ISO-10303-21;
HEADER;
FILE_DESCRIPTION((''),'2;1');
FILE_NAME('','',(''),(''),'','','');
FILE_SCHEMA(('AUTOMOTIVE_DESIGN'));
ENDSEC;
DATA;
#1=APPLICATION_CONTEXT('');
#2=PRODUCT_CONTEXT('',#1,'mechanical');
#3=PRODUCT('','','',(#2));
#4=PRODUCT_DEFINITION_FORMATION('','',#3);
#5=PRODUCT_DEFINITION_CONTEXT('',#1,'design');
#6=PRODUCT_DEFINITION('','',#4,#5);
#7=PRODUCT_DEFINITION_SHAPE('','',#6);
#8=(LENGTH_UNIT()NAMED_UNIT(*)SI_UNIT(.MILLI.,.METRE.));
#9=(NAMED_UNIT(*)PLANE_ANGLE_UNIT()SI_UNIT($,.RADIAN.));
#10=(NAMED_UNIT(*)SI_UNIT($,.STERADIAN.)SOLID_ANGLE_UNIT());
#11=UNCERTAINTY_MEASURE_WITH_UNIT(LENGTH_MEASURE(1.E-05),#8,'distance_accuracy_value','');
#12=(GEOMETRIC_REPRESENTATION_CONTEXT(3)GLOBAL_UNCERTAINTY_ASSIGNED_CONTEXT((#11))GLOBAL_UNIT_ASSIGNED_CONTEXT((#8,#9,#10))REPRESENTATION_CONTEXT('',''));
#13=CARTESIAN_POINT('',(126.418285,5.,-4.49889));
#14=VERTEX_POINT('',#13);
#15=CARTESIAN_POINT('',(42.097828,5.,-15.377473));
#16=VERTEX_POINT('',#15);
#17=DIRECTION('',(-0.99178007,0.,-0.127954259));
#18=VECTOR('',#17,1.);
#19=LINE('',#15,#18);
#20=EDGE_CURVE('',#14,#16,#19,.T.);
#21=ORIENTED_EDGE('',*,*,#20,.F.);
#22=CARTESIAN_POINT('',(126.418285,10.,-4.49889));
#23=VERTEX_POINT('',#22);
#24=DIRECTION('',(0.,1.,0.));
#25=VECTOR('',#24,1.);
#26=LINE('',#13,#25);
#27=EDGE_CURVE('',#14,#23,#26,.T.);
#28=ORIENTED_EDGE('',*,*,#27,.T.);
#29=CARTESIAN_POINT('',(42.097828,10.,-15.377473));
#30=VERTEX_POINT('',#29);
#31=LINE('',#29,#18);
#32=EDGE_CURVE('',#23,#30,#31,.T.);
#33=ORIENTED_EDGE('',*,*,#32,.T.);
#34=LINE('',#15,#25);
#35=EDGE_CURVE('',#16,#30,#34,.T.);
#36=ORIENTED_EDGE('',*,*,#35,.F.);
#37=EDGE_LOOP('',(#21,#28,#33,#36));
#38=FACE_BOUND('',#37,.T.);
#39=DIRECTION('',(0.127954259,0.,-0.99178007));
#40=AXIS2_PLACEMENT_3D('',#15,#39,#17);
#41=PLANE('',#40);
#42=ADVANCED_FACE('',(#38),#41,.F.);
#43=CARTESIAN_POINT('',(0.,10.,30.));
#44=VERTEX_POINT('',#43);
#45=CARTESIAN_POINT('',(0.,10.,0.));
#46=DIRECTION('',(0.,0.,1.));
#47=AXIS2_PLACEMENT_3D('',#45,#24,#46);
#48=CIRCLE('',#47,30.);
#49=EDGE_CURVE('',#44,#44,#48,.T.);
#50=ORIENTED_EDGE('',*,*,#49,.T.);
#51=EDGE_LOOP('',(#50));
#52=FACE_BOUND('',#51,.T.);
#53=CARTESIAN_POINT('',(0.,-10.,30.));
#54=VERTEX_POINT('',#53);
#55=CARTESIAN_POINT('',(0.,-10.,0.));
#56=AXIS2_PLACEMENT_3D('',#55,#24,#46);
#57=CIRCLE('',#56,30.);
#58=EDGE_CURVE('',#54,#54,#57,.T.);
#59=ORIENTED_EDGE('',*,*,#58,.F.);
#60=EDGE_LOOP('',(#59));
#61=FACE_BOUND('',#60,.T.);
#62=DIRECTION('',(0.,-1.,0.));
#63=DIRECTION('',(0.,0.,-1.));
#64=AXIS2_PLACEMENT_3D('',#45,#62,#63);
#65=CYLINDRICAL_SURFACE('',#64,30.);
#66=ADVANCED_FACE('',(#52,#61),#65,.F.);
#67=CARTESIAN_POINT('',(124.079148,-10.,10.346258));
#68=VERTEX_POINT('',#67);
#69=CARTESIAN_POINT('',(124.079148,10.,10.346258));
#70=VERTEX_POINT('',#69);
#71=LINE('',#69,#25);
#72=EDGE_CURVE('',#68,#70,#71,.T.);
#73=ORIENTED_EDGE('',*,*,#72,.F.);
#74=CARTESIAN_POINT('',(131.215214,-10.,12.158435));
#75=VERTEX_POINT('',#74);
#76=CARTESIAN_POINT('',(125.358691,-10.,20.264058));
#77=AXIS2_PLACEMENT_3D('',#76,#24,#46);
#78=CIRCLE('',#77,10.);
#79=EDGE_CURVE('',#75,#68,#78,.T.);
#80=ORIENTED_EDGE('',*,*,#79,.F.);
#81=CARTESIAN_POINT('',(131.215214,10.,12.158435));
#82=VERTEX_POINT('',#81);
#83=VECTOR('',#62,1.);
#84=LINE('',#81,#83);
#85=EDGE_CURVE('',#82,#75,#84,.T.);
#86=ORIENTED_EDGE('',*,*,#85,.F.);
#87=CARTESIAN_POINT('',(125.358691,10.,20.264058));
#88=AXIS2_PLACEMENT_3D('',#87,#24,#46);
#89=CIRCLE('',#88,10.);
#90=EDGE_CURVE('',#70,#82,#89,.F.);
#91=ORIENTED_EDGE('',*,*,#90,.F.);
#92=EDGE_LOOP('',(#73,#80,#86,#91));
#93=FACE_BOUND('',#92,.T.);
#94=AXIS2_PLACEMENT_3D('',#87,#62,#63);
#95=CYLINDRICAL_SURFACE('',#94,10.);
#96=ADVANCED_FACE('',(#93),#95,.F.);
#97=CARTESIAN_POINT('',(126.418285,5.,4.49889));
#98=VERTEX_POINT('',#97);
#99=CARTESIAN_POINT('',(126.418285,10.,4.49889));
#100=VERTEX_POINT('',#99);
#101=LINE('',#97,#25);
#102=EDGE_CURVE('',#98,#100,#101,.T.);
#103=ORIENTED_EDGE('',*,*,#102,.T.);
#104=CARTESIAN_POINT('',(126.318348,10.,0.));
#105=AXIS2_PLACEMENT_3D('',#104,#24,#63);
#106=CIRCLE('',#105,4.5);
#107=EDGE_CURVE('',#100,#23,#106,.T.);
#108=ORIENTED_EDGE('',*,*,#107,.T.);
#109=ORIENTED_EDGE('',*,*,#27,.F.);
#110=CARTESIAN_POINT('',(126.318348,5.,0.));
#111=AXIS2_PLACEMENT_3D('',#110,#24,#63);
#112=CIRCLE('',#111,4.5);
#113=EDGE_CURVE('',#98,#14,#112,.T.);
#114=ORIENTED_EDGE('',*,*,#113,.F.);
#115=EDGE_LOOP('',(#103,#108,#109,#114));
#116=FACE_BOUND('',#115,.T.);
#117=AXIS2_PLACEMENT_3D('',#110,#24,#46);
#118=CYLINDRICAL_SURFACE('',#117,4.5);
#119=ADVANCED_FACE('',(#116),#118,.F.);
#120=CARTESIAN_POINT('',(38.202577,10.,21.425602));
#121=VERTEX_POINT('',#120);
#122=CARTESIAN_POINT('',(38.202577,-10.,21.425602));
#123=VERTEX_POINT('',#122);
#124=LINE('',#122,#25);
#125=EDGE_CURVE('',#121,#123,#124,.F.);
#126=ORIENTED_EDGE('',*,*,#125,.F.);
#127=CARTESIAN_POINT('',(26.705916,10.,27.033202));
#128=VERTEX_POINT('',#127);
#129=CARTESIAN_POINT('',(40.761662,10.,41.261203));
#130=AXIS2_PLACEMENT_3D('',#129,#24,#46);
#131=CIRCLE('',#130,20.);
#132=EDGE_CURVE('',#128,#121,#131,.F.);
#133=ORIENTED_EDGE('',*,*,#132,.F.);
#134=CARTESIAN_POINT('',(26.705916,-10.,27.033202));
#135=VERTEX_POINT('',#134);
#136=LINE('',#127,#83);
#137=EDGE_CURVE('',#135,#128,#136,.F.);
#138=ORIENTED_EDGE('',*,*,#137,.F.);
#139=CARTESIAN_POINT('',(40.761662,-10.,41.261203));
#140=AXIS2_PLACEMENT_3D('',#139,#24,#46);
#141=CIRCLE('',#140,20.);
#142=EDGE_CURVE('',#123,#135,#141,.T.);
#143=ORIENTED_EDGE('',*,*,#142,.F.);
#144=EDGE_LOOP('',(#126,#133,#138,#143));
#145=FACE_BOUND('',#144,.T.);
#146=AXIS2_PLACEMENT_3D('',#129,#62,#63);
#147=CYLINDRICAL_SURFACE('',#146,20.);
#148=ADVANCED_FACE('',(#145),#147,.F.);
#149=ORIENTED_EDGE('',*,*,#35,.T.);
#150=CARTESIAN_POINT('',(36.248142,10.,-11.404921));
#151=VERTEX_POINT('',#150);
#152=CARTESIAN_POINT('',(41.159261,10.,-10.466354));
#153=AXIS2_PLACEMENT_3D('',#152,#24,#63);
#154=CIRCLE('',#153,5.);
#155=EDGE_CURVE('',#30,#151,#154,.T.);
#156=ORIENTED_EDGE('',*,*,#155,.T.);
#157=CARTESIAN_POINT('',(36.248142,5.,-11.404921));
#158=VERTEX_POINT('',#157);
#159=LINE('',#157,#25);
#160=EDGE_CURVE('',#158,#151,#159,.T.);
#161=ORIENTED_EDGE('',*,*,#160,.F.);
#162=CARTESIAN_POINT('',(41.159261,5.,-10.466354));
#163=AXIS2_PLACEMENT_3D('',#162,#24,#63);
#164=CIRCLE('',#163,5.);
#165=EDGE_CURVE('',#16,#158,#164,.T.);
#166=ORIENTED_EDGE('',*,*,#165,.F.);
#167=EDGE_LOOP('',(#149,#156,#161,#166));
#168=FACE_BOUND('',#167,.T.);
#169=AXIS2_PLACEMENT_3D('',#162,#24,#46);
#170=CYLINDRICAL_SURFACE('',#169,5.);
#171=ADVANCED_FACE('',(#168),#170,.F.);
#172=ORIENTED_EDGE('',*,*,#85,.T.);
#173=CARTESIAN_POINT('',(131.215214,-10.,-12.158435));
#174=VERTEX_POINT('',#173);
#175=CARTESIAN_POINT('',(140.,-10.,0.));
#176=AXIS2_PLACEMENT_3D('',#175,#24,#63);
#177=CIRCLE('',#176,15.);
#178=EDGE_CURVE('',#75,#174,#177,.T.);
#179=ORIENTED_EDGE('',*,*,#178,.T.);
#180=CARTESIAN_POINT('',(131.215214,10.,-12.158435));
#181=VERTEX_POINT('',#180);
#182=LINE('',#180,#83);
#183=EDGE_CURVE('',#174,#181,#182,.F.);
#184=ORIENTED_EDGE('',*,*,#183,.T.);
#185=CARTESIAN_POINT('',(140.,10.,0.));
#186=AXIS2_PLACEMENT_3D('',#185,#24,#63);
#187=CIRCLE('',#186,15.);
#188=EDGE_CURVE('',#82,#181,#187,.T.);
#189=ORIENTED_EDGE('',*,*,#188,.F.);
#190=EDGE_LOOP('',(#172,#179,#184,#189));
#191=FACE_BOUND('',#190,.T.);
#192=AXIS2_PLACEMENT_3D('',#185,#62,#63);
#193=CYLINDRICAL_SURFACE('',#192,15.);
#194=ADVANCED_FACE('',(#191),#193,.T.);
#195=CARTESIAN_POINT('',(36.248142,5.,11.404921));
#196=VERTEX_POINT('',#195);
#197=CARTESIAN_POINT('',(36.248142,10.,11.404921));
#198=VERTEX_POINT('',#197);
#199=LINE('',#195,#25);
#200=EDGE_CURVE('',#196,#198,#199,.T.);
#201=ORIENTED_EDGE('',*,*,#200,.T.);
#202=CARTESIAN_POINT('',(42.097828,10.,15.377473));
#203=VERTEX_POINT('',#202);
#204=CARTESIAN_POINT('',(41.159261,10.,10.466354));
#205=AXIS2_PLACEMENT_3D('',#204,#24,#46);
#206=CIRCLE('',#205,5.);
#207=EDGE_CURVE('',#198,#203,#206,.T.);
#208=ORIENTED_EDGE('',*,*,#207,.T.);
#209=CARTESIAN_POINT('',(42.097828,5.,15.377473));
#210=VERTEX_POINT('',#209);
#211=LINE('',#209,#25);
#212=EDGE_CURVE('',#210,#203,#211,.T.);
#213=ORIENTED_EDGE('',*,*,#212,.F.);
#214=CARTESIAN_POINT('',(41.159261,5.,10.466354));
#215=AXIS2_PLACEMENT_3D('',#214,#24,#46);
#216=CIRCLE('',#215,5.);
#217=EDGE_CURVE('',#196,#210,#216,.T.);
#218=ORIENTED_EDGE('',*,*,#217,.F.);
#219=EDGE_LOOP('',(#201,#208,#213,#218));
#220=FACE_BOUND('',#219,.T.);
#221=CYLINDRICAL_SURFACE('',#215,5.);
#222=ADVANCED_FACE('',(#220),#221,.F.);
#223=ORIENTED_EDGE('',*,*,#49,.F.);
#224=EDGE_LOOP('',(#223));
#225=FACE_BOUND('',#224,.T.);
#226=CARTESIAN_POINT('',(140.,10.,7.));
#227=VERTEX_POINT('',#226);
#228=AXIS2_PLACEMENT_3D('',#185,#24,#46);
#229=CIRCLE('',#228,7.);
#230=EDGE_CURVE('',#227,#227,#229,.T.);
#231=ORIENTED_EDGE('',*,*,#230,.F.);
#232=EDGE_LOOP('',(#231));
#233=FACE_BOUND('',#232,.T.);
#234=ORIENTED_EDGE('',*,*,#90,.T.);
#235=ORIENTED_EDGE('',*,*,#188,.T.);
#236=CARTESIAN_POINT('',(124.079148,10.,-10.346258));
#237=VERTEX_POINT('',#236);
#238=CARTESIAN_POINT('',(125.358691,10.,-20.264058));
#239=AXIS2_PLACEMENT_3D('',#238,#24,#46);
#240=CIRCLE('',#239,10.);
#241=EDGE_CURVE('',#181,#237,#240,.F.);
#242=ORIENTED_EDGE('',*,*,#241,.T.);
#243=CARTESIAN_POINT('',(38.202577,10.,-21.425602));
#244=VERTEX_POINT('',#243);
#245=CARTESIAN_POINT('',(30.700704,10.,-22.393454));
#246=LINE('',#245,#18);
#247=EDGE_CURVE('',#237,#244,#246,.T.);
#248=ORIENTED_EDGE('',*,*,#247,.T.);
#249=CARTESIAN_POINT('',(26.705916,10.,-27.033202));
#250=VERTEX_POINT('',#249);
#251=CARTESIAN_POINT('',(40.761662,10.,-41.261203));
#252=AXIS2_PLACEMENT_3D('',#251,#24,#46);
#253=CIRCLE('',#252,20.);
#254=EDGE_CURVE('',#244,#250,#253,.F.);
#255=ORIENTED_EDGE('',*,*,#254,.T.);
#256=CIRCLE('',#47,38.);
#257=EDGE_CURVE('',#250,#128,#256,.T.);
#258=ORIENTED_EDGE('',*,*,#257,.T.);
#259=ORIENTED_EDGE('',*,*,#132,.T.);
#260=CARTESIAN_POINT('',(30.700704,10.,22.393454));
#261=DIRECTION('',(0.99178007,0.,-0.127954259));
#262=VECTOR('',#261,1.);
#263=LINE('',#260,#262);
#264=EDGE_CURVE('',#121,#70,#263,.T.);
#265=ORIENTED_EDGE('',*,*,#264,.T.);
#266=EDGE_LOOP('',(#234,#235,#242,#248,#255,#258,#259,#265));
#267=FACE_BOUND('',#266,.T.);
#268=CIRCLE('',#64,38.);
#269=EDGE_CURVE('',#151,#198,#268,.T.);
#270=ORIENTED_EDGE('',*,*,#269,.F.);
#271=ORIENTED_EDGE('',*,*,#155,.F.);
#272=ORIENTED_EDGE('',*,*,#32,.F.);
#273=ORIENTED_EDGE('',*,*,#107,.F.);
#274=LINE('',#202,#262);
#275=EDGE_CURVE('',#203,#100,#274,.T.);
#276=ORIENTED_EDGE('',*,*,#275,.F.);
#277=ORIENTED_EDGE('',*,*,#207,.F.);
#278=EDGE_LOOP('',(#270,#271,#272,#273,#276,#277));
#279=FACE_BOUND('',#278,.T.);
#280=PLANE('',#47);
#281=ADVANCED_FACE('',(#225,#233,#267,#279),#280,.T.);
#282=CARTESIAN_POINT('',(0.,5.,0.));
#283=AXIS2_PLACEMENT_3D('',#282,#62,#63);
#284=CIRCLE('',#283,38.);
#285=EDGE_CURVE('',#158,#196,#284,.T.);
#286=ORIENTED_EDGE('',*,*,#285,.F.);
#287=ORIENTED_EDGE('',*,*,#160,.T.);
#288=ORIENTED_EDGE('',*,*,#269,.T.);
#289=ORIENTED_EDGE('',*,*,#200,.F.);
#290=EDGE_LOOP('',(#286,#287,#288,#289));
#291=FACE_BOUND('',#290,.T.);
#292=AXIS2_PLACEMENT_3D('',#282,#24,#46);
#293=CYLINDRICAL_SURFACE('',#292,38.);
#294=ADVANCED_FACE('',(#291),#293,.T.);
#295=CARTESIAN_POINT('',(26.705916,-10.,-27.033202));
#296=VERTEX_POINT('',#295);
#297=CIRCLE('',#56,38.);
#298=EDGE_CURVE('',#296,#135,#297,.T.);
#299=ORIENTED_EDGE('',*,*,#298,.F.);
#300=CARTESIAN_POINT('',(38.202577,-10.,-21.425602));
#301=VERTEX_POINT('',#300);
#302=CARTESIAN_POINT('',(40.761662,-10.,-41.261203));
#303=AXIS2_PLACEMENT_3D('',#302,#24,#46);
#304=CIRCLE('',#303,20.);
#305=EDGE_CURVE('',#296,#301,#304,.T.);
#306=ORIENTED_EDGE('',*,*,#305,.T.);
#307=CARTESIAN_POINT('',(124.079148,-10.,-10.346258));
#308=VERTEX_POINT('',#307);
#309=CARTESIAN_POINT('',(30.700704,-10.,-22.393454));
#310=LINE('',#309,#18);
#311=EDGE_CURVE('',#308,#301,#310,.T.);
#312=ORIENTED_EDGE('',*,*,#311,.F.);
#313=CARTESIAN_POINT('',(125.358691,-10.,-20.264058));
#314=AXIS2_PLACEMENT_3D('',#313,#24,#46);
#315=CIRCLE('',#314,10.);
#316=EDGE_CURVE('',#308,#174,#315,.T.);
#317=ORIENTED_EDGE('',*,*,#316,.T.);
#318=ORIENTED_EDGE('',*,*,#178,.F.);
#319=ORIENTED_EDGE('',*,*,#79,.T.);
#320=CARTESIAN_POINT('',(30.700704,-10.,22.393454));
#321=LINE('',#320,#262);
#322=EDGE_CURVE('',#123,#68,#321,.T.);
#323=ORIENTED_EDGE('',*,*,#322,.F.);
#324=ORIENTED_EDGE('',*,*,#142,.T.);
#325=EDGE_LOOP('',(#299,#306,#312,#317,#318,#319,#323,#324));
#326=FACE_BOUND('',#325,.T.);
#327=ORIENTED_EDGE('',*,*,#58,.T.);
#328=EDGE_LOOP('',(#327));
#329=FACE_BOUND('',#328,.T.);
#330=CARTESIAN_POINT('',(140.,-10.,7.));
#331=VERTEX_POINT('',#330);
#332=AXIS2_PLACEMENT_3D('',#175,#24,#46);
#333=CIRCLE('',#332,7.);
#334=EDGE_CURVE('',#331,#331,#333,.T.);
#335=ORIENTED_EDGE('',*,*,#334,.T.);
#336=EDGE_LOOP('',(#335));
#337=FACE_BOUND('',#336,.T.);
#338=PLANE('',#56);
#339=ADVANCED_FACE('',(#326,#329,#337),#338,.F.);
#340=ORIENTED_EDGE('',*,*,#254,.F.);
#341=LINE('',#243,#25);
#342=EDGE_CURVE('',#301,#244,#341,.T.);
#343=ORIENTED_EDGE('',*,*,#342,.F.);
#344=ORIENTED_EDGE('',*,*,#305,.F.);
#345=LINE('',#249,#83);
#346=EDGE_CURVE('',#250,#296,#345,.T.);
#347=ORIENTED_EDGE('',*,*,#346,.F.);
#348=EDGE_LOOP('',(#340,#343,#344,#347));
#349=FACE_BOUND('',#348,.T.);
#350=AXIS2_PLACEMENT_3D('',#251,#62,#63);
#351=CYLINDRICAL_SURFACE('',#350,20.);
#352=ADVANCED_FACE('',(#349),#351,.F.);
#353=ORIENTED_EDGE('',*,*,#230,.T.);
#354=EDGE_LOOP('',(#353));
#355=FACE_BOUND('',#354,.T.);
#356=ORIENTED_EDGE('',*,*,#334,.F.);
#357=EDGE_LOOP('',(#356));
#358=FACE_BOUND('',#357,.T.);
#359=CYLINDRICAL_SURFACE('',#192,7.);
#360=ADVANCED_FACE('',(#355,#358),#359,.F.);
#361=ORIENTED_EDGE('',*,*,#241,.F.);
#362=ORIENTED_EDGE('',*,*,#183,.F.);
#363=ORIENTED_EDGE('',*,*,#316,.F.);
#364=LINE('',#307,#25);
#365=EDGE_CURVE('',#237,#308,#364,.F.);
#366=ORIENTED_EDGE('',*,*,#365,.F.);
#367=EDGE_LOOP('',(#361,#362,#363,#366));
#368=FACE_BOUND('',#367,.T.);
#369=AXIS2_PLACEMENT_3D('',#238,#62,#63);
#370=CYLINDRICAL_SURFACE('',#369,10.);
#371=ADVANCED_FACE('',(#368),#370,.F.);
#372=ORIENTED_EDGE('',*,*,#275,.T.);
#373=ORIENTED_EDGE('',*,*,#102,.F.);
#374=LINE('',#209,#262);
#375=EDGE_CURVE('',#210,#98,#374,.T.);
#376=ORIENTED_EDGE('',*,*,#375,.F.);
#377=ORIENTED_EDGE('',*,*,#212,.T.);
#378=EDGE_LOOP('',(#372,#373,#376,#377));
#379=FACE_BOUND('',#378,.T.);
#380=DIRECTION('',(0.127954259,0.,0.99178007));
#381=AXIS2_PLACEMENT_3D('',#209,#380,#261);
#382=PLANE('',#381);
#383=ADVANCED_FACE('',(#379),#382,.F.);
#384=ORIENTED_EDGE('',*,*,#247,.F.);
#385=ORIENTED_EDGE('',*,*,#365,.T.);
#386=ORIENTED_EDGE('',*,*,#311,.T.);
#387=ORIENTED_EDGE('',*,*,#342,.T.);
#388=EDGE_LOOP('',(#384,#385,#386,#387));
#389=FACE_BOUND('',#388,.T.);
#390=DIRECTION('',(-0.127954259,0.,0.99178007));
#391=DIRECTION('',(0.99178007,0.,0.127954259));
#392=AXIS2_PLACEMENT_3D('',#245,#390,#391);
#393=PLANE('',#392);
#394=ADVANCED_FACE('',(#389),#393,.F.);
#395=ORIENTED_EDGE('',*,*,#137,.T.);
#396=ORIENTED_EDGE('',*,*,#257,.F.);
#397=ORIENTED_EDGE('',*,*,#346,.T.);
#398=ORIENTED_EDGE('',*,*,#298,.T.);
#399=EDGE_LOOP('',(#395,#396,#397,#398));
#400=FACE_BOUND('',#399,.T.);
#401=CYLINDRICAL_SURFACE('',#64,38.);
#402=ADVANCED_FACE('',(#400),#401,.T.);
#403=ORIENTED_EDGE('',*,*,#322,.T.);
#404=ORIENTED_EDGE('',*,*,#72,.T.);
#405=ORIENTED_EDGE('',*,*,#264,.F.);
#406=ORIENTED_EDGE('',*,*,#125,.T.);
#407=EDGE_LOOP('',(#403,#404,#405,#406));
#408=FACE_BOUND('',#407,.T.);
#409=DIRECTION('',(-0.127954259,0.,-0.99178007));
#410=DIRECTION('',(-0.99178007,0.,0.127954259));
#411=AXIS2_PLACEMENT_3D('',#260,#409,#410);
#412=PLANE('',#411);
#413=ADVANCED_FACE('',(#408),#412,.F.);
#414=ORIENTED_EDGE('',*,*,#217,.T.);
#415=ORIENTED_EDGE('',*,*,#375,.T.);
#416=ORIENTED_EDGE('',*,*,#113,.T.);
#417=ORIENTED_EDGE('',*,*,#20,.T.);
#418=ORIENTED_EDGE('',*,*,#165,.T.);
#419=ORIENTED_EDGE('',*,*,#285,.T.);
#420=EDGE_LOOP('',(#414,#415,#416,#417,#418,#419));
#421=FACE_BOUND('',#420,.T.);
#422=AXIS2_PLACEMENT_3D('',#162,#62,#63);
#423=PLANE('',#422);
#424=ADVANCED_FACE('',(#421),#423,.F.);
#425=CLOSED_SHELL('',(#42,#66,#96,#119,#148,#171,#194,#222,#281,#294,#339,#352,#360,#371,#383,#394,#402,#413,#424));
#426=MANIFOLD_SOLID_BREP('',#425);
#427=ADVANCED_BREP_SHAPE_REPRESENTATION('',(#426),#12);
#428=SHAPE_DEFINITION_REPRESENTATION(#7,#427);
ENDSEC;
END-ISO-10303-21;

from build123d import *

# Parameters (mm, degrees)
SKETCH1_R           = 30
SKETCH1_R_2         = 7
BOSS_EXTRUDE1_DEPTH = 10
FILLET1_R           = 10
FILLET2_R           = 20
CUT_EXTRUDE1_START  = 10
CUT_EXTRUDE1_DEPTH  = 5


with BuildPart() as part:
    # Sketch1 → Boss-Extrude1 (new, symmetric)
    with BuildSketch(Plane(origin=(0, 0, 0), x_dir=(1, 0, 0), z_dir=(0, 1, 0))):
        with BuildLine():
            Line((30.700703589, 22.393454382), (128.610913115, 9.761593104))
            ThreePointArc((128.610913115, 9.761593104), (155, 0), (128.610913115, -9.761593104))
            Line((128.610913115, -9.761593104), (30.700703589, -22.393454382))
            ThreePointArc((30.700703589, -22.393454382), (-38, 0), (30.700703589, 22.393454382))
        make_face()
        with Locations(Location((0, 0, 0), (0, 0, 270))):
            Circle(SKETCH1_R, mode=Mode.SUBTRACT)
        with Locations(Location((140, 0, 0), (0, 0, 270))):
            Circle(SKETCH1_R_2, mode=Mode.SUBTRACT)
    extrude(amount=BOSS_EXTRUDE1_DEPTH, both=True)

    # Fillet1
    fillet1_edges = [part.edges().sort_by_distance(p)[0] for p in [
        (128.610913115, 0, -9.761593104),
        (128.610913115, 0, 9.761593104),
    ]]
    fillet(fillet1_edges, radius=FILLET1_R)

    # Fillet2
    fillet2_edges = [part.edges().sort_by_distance(p)[0] for p in [
        (30.700703589, 0, -22.393454382),
        (30.700703589, 0, 22.393454382),
    ]]
    fillet(fillet2_edges, radius=FILLET2_R)

    # Sketch2 → Cut-Extrude1 (cut)
    with BuildSketch(Plane(origin=(0, 0, 0), x_dir=(1, 0, 0), z_dir=(0, 1, 0)).offset(CUT_EXTRUDE1_START)):
        with BuildLine():
            Line((42.097828348, -15.377472859), (126.418285087, -4.498890149))
            ThreePointArc((126.418285087, -4.498890149), (130.818347989, 0), (126.418285087, 4.498890149))
            Line((126.418285087, 4.498890149), (42.097828348, 15.377472859))
            ThreePointArc((42.097828348, 15.377472859), (38.350242622, 14.602706981), (36.248141548, 11.404921495))
            ThreePointArc((36.248141548, 11.404921495), (38, 0), (36.248141548, -11.404921495))
            ThreePointArc((36.248141548, -11.404921495), (38.350242622, -14.602706981), (42.097828348, -15.377472859))
        make_face()
    extrude(amount=-CUT_EXTRUDE1_DEPTH, mode=Mode.SUBTRACT)


solid = part.part
